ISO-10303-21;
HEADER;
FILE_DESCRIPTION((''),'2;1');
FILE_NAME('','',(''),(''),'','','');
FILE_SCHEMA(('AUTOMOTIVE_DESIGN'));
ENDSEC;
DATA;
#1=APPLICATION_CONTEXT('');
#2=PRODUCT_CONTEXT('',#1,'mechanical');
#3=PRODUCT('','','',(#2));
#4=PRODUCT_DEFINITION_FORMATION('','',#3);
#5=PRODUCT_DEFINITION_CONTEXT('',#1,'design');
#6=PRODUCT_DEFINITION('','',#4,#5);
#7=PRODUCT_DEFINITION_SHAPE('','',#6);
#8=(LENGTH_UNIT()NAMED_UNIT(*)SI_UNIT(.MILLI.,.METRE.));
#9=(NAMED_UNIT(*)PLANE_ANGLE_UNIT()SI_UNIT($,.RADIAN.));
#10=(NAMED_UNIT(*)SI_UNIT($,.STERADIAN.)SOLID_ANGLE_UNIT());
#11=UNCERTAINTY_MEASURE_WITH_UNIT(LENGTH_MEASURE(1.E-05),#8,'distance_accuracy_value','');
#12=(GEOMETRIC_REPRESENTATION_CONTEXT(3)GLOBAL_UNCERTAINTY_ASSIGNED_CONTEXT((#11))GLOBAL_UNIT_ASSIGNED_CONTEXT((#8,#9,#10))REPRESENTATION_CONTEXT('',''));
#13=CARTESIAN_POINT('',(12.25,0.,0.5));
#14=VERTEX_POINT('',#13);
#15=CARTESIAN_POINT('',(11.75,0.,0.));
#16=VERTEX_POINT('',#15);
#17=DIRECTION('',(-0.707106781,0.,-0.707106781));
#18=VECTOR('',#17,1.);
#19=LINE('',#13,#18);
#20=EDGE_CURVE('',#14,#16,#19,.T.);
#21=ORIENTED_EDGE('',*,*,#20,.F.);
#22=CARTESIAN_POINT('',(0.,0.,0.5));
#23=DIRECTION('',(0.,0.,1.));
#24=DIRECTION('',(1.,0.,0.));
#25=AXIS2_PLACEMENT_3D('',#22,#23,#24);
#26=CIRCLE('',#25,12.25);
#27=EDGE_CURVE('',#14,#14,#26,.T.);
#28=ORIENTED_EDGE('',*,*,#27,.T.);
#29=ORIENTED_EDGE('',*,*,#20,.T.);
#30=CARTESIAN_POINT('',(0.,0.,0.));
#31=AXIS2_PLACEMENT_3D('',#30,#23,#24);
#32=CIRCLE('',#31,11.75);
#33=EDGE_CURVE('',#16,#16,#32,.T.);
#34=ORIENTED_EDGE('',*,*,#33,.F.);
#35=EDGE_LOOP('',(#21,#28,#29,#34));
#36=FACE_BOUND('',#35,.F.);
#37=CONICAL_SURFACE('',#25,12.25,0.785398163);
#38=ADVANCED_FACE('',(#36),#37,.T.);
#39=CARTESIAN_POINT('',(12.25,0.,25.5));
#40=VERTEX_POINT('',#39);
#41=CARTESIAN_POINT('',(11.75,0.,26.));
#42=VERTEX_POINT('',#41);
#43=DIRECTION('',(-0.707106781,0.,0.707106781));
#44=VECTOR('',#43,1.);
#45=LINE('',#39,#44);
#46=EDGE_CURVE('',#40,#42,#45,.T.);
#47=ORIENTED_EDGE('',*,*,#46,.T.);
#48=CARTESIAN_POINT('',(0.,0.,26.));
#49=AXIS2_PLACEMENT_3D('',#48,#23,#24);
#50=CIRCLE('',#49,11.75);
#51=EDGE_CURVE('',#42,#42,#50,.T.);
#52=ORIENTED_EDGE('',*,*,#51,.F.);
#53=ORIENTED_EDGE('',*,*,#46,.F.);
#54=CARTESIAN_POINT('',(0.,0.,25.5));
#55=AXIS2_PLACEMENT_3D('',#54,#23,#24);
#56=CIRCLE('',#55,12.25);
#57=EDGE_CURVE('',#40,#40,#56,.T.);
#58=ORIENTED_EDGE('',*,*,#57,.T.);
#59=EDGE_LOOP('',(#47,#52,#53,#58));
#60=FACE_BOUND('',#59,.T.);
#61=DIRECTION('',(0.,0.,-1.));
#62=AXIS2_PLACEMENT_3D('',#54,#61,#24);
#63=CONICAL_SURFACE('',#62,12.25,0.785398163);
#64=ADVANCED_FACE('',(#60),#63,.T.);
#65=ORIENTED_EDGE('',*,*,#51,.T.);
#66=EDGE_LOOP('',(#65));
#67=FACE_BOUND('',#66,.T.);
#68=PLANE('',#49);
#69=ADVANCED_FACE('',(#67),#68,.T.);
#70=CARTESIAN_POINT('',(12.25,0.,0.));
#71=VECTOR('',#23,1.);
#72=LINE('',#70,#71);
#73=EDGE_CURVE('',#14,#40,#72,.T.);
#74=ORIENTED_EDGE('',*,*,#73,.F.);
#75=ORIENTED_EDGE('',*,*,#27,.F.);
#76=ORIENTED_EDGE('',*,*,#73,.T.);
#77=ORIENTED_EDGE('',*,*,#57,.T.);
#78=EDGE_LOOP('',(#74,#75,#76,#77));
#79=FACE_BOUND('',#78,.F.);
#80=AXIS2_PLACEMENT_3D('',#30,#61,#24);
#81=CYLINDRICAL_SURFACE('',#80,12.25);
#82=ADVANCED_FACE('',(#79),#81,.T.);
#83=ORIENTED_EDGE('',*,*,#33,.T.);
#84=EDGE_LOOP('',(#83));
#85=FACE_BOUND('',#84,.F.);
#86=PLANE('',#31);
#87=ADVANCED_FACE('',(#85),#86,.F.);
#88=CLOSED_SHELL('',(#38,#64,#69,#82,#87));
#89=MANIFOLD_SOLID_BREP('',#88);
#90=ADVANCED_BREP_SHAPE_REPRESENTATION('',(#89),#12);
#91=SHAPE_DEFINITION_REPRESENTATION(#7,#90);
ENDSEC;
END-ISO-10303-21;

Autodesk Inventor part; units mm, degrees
ref_plane "YZ Plane" through (0, 0, 0) normal (1, 0, 0) x (0, 1, 0)
ref_plane "XZ Plane" through (0, 0, 0) normal (0, 1, 0) x (-1, 0, 0)
ref_plane "XY Plane" through (0, 0, 0) normal (0, 0, 1) x (1, 0, 0)
sketch "Sketch1" plane through (0, 0, 0) normal (0, 0, 1) x (1, 0, 0)
  circle A0 centre (0, 0) radius 12.25
  dimension "d0" = 24.5
extrude "Extrusion1" add sketch "Sketch1" along normal blind 26
chamfer "Chamfer1" distance 0.5 angle 45 1 edges at (-12.25, 0, 0)
chamfer "Chamfer2" distance 0.5 angle 45 1 edges at (-12.25, 0, 26)
properties part number "gearbox"
